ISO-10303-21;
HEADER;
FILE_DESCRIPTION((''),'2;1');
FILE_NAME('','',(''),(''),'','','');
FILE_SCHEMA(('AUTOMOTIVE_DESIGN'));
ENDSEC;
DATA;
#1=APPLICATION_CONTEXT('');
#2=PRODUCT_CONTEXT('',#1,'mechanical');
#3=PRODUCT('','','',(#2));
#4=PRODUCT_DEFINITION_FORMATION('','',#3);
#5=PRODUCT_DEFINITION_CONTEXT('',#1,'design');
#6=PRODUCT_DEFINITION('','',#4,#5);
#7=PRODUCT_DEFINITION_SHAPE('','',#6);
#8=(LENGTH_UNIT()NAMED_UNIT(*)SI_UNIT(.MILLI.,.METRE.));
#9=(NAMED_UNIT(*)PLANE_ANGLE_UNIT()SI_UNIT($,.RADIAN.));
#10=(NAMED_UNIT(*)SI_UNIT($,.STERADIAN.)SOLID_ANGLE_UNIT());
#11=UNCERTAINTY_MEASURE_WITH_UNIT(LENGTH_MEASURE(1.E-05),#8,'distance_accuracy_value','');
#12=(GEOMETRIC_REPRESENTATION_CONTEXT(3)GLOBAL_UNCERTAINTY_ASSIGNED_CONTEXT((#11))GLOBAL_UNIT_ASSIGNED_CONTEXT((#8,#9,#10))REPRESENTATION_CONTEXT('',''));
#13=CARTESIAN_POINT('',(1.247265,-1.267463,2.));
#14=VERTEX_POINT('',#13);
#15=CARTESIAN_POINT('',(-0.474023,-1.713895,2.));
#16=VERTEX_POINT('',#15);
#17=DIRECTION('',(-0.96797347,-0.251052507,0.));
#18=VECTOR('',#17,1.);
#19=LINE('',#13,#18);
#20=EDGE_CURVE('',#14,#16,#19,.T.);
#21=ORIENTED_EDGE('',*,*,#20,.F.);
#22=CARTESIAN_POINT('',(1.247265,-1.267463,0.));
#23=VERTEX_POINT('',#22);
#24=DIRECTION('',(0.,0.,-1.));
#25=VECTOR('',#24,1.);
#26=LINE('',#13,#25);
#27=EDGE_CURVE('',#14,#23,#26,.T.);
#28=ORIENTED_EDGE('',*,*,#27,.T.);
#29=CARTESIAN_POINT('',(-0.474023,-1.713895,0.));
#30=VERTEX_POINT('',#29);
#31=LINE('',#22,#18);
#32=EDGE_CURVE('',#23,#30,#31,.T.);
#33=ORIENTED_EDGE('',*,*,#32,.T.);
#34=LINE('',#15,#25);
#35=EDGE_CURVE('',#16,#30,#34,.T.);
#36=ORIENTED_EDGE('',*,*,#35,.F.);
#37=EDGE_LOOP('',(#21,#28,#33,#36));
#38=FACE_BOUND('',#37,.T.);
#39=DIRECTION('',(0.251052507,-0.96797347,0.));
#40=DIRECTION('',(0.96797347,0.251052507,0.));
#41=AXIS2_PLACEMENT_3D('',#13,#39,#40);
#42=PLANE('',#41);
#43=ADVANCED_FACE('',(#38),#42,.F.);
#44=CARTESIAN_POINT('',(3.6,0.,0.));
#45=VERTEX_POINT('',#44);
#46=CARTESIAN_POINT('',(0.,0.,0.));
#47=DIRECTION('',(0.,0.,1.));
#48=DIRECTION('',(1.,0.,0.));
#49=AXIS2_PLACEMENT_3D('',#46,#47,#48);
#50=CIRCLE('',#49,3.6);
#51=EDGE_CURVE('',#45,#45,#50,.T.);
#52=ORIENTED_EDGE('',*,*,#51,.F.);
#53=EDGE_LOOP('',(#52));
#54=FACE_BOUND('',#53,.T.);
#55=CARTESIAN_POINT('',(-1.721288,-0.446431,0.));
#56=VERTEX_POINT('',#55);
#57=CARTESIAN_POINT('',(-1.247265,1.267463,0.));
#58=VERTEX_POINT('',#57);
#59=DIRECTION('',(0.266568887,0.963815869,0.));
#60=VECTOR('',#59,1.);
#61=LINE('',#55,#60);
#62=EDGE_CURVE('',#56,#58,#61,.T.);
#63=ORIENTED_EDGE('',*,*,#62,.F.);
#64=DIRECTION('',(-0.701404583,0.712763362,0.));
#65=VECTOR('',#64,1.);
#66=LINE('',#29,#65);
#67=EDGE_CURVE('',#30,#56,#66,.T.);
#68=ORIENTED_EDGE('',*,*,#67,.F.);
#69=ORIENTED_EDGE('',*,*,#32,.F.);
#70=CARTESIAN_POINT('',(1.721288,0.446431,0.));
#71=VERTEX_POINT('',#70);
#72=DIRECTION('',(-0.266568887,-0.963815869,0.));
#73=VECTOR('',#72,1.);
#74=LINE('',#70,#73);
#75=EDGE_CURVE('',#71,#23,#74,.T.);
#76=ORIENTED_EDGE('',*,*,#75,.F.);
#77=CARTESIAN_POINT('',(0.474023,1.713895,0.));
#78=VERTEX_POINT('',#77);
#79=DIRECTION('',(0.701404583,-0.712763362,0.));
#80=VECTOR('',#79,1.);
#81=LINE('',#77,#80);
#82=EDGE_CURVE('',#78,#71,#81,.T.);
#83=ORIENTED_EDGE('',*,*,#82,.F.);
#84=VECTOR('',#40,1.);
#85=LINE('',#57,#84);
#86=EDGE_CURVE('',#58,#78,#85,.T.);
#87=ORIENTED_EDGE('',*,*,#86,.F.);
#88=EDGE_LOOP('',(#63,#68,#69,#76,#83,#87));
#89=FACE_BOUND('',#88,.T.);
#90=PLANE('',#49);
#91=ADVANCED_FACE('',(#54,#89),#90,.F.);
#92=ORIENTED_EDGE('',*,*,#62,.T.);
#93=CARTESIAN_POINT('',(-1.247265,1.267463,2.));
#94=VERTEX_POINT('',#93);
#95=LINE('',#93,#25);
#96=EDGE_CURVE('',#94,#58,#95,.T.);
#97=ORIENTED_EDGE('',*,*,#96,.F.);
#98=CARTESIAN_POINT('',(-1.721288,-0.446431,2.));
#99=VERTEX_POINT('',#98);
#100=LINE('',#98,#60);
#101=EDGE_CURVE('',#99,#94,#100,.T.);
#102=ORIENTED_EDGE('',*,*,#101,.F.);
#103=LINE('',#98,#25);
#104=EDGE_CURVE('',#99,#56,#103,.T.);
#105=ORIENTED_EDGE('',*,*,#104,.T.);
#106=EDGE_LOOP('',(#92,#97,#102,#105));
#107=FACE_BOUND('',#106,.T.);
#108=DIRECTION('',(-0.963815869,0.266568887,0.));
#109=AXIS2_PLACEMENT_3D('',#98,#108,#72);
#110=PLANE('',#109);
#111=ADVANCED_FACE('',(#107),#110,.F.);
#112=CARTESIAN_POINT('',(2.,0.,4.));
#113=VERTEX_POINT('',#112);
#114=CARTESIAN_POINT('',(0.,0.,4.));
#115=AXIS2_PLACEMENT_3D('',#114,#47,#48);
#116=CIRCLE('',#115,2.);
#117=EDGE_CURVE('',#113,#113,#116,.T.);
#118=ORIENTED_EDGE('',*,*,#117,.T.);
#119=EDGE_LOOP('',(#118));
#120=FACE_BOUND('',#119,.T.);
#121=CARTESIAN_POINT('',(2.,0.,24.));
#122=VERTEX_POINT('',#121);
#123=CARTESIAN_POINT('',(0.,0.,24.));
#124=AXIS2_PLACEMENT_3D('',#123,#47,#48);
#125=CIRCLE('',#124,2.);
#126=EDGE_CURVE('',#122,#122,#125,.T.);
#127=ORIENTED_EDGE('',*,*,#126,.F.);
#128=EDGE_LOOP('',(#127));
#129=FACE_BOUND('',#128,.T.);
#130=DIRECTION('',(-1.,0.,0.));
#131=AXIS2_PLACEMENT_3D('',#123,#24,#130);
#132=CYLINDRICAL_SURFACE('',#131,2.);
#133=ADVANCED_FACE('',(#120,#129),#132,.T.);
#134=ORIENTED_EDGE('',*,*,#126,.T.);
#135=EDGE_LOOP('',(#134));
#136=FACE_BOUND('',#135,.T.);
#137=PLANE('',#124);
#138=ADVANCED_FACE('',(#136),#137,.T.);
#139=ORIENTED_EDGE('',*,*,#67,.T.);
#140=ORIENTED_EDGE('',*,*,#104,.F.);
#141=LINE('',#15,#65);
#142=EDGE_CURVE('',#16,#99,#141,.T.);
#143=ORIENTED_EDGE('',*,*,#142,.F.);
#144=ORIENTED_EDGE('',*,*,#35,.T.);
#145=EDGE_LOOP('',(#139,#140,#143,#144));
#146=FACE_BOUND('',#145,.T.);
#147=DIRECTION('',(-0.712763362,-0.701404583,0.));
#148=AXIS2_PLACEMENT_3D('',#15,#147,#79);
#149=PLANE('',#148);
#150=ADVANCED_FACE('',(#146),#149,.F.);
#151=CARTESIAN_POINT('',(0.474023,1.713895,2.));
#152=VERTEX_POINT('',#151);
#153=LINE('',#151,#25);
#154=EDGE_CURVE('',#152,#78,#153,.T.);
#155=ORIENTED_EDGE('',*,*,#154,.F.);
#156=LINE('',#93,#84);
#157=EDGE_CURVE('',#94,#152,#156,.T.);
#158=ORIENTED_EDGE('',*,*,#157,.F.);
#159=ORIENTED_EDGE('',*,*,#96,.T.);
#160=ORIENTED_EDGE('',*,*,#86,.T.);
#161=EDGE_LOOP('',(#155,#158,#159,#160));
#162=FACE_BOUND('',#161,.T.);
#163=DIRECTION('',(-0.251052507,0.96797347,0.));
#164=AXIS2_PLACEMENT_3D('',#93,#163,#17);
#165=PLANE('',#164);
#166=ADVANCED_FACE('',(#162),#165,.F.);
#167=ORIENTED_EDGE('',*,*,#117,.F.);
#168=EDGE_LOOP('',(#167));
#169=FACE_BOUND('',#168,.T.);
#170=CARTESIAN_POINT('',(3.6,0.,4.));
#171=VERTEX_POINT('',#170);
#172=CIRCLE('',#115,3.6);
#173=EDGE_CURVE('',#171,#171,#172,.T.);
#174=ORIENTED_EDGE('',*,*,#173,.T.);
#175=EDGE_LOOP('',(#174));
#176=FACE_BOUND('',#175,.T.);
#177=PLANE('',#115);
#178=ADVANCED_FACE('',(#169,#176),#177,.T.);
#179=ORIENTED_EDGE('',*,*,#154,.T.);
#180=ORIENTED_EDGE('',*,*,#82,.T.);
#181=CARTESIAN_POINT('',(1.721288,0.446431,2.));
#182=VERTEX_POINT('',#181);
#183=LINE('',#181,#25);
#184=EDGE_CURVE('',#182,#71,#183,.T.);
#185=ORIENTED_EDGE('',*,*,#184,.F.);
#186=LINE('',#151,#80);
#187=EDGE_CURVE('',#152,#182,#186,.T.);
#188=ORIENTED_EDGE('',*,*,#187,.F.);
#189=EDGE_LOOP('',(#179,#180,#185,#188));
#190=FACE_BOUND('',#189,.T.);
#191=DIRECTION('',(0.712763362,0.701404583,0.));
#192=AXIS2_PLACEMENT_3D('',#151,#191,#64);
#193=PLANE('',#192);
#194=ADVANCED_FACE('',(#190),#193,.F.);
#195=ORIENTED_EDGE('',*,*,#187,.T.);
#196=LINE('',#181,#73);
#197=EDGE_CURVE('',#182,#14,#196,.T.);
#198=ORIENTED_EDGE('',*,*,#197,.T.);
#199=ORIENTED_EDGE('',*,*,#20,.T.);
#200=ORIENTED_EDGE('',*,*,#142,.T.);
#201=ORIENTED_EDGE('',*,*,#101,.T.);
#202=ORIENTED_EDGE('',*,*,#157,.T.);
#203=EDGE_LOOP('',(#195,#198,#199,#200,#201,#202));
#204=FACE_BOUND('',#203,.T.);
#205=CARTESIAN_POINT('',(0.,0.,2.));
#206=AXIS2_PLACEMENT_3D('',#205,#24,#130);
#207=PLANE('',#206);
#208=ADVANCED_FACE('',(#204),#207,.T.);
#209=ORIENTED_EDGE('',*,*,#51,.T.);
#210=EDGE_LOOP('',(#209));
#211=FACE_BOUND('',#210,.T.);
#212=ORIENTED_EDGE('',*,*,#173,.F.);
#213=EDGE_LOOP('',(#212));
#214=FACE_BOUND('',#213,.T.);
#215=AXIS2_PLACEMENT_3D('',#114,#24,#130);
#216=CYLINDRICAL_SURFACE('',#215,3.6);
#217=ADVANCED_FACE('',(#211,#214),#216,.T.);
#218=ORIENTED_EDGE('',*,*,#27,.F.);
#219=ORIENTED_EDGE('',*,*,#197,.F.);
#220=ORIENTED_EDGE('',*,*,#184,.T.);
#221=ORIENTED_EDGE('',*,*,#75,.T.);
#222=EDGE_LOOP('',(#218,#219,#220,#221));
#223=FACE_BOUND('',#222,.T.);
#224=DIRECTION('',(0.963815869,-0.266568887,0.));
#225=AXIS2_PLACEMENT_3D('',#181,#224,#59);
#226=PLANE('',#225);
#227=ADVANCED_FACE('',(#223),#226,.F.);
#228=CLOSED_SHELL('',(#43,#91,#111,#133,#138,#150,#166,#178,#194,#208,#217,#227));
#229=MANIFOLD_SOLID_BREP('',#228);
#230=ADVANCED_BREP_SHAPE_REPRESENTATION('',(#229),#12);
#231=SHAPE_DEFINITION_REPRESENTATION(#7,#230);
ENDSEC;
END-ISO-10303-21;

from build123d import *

# Parameters (mm, degrees)
SKETCH_1_R          = 3.6
EXTRUDE_1_DEPTH     = 4
SKETCH_2_R          = 2
EXTRUDE_2_DEPTH     = 20
CUT_EXTRUDE_1_DEPTH = 2


with BuildPart() as part:
    # 草图1 → 凸台-拉伸1 (new body)
    with BuildSketch(Plane.XY):
        Circle(SKETCH_1_R)
    extrude(amount=EXTRUDE_1_DEPTH)

    # 草图2 → 凸台-拉伸2 (add)
    with BuildSketch(Plane.XY.offset(4)):
        Circle(SKETCH_2_R)
    extrude(amount=EXTRUDE_2_DEPTH)

    # 草图3 → 切除-拉伸1 (cut)
    with BuildSketch(Plane(origin=(0, 0, 0), x_dir=(-1, 0, 0), z_dir=(0, 0, -1))):
        Polygon((1.247264865, 1.267463486), (-0.474023145, 1.713894802), (-1.72128801, 0.446431315), (-1.247264865, -1.267463486), (0.474023145, -1.713894802), (1.72128801, -0.446431315), align=None)
    extrude(amount=-CUT_EXTRUDE_1_DEPTH, mode=Mode.SUBTRACT)


solid = part.part
